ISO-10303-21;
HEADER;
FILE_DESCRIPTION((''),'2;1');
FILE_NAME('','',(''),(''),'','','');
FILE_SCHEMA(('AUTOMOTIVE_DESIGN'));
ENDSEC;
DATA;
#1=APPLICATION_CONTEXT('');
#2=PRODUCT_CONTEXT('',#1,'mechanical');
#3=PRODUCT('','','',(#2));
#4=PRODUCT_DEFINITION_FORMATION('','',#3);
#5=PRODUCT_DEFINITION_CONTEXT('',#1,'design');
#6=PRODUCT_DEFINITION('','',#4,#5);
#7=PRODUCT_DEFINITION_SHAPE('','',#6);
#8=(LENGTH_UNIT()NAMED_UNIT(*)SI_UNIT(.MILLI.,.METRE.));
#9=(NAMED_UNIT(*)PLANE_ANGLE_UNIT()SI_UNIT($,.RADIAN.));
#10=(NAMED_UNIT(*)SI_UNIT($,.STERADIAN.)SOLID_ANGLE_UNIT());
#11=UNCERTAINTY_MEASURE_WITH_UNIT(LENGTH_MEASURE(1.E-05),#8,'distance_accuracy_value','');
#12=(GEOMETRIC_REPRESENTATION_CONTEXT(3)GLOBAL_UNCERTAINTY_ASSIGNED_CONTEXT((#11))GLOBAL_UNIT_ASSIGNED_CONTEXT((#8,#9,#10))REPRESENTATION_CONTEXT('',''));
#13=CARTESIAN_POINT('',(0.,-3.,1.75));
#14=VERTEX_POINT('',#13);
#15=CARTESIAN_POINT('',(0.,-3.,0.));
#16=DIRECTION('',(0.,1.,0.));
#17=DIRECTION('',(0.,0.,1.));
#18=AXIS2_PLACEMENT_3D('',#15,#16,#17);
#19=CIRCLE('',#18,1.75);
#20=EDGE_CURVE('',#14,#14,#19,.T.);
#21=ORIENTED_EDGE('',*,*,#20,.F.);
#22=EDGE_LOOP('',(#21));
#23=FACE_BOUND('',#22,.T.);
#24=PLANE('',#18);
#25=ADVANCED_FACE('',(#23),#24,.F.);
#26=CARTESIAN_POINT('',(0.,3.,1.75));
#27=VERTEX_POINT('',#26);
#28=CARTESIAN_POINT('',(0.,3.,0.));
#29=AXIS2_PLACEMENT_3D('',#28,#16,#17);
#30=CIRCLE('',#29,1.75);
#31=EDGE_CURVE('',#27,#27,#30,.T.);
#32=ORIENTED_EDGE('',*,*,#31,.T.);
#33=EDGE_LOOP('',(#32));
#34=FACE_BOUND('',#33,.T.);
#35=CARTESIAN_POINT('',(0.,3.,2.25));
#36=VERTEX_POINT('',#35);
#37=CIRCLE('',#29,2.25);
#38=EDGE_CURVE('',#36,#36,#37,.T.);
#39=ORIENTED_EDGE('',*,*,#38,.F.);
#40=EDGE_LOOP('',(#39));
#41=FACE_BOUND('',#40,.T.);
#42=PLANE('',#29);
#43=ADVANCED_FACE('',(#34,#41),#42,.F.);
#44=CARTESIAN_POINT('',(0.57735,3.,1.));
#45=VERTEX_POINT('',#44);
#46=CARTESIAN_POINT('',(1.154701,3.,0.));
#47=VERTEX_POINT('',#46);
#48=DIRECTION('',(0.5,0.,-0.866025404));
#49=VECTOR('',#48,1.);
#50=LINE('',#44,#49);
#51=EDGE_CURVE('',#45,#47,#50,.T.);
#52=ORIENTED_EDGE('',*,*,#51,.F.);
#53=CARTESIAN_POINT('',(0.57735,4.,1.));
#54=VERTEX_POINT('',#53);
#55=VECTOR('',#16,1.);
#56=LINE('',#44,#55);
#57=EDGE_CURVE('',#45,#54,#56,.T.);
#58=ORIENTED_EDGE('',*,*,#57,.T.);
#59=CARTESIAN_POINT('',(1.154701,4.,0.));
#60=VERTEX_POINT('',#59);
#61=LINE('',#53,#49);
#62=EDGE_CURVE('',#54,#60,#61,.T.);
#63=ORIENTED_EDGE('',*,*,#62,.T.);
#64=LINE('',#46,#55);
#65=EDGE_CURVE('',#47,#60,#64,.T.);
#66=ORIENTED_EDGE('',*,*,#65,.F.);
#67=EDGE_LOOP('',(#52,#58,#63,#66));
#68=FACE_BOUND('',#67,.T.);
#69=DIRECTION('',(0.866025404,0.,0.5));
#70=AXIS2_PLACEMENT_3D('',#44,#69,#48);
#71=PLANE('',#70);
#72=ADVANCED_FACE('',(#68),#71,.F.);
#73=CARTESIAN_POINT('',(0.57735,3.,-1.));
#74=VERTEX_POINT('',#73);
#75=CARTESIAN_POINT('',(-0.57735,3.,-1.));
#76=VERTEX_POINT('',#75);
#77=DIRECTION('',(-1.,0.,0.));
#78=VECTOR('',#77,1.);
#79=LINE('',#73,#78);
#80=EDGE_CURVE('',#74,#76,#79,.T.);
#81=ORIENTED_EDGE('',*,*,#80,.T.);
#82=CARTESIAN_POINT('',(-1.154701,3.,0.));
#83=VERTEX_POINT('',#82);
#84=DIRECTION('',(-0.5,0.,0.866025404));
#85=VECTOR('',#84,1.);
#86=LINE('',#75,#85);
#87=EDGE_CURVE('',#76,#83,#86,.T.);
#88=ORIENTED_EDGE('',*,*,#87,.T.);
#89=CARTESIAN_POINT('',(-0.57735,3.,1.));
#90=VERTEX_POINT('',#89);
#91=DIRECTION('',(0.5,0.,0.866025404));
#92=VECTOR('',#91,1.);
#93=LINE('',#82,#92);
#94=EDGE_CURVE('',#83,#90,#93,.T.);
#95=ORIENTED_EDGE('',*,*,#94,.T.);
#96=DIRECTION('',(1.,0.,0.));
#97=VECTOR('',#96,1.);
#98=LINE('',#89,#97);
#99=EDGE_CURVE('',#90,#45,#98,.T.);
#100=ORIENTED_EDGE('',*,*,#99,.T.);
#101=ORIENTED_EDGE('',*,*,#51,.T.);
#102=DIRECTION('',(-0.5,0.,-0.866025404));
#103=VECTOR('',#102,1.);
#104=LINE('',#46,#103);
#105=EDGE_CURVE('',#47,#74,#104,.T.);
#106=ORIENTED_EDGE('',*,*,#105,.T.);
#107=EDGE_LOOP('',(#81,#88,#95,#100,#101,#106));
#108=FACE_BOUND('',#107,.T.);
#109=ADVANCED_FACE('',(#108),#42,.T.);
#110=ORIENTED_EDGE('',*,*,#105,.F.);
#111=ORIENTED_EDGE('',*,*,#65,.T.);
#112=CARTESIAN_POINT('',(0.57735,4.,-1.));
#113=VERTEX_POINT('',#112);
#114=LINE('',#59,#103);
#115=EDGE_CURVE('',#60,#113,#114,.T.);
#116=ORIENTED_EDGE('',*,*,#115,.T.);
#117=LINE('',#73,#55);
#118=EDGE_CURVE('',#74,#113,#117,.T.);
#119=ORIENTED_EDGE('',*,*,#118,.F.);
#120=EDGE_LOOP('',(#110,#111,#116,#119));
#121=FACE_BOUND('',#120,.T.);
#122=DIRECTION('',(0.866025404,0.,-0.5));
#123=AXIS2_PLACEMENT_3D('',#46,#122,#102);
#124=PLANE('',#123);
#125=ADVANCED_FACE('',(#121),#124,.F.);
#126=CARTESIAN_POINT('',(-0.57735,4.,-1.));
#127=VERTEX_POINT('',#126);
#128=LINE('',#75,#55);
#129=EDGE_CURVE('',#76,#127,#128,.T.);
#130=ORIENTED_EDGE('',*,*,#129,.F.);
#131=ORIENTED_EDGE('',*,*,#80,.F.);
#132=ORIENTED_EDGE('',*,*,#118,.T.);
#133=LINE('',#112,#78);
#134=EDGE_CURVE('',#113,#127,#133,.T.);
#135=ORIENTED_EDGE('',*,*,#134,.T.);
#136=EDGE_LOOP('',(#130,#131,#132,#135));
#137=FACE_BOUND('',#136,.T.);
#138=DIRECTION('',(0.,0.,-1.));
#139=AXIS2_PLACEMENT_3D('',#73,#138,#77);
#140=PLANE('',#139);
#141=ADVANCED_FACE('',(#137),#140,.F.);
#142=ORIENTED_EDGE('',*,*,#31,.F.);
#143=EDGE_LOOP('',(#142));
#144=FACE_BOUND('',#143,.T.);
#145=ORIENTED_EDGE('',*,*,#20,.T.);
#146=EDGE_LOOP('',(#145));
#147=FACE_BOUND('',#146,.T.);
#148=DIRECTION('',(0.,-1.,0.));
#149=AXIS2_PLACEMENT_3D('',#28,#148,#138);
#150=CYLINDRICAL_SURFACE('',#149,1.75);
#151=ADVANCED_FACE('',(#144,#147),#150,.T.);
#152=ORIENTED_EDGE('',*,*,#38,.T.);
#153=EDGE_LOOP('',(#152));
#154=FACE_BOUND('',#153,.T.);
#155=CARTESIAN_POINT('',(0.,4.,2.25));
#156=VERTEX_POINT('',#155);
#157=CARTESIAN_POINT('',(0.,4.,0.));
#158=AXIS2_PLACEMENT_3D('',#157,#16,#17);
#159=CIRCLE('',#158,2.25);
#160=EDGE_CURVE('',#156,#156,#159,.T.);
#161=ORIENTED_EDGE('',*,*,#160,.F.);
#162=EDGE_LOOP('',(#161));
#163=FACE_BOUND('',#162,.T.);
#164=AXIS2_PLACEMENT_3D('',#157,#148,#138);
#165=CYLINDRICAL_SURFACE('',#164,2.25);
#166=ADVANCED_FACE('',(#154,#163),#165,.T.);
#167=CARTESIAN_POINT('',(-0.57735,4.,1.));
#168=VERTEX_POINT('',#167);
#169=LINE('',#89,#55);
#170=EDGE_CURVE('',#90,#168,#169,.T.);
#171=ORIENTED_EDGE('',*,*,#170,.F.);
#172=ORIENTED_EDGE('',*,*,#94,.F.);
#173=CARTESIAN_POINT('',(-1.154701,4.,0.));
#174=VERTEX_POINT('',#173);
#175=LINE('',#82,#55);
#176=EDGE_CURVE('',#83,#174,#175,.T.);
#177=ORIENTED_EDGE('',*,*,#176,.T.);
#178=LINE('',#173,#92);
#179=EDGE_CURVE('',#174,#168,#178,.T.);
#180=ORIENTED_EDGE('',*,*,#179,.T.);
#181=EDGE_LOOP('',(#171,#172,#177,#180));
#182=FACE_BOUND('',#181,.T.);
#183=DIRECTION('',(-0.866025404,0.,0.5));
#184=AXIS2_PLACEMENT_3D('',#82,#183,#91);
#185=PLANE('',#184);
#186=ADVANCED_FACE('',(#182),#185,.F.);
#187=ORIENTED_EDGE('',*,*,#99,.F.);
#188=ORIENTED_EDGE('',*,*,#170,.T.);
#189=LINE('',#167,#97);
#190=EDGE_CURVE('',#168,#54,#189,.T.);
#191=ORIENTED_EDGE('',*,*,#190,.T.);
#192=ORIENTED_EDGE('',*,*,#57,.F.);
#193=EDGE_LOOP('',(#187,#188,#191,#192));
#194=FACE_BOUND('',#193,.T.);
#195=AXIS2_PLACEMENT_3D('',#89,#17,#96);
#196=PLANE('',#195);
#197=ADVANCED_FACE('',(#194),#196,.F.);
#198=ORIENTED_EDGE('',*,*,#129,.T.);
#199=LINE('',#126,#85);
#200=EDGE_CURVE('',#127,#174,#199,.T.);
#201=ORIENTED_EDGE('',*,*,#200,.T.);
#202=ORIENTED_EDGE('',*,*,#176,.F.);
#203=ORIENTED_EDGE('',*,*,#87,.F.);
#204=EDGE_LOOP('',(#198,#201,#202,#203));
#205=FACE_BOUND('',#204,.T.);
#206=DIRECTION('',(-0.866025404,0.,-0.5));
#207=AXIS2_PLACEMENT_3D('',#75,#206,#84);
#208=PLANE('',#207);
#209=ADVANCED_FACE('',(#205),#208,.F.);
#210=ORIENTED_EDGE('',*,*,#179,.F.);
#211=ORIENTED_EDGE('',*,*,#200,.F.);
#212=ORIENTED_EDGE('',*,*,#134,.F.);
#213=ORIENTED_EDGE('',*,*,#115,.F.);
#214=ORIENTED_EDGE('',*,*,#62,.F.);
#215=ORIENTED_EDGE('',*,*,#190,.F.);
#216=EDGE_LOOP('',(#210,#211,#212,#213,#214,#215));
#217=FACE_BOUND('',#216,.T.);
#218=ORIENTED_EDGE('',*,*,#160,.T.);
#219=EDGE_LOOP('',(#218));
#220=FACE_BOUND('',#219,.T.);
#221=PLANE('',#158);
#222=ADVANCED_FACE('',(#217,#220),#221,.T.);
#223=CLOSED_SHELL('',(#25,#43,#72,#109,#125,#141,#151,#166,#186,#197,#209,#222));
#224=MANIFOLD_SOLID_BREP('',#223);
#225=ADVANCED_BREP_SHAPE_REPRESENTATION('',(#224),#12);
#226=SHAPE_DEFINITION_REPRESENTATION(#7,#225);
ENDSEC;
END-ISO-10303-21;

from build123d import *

# Parameters (mm, degrees)
SKETCH1_R           = 1.75
BOSS_EXTRUDE1_DEPTH = 3
SKETCH2_R           = 2.25
BOSS_EXTRUDE2_DEPTH = 1
CUT_EXTRUDE1_DEPTH  = 1


with BuildPart() as part:
    # Sketch1 → Boss-Extrude1 (new, symmetric)
    with BuildSketch(Plane(origin=(0, 0, 0), x_dir=(1, 0, 0), z_dir=(0, 1, 0))):
        with Locations(Location((0, 0, 0), (0, 0, 270))):
            Circle(SKETCH1_R)
    extrude(amount=BOSS_EXTRUDE1_DEPTH, both=True)

    # Sketch2 → Boss-Extrude2 (add)
    with BuildSketch(Plane(origin=(0, 3, 0), x_dir=(1, 0, 0), z_dir=(0, 1, 0))):
        with Locations(Location((0, 0, 0), (0, 0, 270))):
            Circle(SKETCH2_R)
    extrude(amount=BOSS_EXTRUDE2_DEPTH)

    # Sketch3 → Cut-Extrude1 (cut)
    with BuildSketch(Plane(origin=(0, 4, 0), x_dir=(1, 0, 0), z_dir=(0, 1, 0))):
        Polygon((1.154700538, 0), (0.577350269, 1), (-0.577350269, 1), (-1.154700538, 0), (-0.577350269, -1), (0.577350269, -1), align=None)
    extrude(amount=-CUT_EXTRUDE1_DEPTH, mode=Mode.SUBTRACT)


solid = part.part
